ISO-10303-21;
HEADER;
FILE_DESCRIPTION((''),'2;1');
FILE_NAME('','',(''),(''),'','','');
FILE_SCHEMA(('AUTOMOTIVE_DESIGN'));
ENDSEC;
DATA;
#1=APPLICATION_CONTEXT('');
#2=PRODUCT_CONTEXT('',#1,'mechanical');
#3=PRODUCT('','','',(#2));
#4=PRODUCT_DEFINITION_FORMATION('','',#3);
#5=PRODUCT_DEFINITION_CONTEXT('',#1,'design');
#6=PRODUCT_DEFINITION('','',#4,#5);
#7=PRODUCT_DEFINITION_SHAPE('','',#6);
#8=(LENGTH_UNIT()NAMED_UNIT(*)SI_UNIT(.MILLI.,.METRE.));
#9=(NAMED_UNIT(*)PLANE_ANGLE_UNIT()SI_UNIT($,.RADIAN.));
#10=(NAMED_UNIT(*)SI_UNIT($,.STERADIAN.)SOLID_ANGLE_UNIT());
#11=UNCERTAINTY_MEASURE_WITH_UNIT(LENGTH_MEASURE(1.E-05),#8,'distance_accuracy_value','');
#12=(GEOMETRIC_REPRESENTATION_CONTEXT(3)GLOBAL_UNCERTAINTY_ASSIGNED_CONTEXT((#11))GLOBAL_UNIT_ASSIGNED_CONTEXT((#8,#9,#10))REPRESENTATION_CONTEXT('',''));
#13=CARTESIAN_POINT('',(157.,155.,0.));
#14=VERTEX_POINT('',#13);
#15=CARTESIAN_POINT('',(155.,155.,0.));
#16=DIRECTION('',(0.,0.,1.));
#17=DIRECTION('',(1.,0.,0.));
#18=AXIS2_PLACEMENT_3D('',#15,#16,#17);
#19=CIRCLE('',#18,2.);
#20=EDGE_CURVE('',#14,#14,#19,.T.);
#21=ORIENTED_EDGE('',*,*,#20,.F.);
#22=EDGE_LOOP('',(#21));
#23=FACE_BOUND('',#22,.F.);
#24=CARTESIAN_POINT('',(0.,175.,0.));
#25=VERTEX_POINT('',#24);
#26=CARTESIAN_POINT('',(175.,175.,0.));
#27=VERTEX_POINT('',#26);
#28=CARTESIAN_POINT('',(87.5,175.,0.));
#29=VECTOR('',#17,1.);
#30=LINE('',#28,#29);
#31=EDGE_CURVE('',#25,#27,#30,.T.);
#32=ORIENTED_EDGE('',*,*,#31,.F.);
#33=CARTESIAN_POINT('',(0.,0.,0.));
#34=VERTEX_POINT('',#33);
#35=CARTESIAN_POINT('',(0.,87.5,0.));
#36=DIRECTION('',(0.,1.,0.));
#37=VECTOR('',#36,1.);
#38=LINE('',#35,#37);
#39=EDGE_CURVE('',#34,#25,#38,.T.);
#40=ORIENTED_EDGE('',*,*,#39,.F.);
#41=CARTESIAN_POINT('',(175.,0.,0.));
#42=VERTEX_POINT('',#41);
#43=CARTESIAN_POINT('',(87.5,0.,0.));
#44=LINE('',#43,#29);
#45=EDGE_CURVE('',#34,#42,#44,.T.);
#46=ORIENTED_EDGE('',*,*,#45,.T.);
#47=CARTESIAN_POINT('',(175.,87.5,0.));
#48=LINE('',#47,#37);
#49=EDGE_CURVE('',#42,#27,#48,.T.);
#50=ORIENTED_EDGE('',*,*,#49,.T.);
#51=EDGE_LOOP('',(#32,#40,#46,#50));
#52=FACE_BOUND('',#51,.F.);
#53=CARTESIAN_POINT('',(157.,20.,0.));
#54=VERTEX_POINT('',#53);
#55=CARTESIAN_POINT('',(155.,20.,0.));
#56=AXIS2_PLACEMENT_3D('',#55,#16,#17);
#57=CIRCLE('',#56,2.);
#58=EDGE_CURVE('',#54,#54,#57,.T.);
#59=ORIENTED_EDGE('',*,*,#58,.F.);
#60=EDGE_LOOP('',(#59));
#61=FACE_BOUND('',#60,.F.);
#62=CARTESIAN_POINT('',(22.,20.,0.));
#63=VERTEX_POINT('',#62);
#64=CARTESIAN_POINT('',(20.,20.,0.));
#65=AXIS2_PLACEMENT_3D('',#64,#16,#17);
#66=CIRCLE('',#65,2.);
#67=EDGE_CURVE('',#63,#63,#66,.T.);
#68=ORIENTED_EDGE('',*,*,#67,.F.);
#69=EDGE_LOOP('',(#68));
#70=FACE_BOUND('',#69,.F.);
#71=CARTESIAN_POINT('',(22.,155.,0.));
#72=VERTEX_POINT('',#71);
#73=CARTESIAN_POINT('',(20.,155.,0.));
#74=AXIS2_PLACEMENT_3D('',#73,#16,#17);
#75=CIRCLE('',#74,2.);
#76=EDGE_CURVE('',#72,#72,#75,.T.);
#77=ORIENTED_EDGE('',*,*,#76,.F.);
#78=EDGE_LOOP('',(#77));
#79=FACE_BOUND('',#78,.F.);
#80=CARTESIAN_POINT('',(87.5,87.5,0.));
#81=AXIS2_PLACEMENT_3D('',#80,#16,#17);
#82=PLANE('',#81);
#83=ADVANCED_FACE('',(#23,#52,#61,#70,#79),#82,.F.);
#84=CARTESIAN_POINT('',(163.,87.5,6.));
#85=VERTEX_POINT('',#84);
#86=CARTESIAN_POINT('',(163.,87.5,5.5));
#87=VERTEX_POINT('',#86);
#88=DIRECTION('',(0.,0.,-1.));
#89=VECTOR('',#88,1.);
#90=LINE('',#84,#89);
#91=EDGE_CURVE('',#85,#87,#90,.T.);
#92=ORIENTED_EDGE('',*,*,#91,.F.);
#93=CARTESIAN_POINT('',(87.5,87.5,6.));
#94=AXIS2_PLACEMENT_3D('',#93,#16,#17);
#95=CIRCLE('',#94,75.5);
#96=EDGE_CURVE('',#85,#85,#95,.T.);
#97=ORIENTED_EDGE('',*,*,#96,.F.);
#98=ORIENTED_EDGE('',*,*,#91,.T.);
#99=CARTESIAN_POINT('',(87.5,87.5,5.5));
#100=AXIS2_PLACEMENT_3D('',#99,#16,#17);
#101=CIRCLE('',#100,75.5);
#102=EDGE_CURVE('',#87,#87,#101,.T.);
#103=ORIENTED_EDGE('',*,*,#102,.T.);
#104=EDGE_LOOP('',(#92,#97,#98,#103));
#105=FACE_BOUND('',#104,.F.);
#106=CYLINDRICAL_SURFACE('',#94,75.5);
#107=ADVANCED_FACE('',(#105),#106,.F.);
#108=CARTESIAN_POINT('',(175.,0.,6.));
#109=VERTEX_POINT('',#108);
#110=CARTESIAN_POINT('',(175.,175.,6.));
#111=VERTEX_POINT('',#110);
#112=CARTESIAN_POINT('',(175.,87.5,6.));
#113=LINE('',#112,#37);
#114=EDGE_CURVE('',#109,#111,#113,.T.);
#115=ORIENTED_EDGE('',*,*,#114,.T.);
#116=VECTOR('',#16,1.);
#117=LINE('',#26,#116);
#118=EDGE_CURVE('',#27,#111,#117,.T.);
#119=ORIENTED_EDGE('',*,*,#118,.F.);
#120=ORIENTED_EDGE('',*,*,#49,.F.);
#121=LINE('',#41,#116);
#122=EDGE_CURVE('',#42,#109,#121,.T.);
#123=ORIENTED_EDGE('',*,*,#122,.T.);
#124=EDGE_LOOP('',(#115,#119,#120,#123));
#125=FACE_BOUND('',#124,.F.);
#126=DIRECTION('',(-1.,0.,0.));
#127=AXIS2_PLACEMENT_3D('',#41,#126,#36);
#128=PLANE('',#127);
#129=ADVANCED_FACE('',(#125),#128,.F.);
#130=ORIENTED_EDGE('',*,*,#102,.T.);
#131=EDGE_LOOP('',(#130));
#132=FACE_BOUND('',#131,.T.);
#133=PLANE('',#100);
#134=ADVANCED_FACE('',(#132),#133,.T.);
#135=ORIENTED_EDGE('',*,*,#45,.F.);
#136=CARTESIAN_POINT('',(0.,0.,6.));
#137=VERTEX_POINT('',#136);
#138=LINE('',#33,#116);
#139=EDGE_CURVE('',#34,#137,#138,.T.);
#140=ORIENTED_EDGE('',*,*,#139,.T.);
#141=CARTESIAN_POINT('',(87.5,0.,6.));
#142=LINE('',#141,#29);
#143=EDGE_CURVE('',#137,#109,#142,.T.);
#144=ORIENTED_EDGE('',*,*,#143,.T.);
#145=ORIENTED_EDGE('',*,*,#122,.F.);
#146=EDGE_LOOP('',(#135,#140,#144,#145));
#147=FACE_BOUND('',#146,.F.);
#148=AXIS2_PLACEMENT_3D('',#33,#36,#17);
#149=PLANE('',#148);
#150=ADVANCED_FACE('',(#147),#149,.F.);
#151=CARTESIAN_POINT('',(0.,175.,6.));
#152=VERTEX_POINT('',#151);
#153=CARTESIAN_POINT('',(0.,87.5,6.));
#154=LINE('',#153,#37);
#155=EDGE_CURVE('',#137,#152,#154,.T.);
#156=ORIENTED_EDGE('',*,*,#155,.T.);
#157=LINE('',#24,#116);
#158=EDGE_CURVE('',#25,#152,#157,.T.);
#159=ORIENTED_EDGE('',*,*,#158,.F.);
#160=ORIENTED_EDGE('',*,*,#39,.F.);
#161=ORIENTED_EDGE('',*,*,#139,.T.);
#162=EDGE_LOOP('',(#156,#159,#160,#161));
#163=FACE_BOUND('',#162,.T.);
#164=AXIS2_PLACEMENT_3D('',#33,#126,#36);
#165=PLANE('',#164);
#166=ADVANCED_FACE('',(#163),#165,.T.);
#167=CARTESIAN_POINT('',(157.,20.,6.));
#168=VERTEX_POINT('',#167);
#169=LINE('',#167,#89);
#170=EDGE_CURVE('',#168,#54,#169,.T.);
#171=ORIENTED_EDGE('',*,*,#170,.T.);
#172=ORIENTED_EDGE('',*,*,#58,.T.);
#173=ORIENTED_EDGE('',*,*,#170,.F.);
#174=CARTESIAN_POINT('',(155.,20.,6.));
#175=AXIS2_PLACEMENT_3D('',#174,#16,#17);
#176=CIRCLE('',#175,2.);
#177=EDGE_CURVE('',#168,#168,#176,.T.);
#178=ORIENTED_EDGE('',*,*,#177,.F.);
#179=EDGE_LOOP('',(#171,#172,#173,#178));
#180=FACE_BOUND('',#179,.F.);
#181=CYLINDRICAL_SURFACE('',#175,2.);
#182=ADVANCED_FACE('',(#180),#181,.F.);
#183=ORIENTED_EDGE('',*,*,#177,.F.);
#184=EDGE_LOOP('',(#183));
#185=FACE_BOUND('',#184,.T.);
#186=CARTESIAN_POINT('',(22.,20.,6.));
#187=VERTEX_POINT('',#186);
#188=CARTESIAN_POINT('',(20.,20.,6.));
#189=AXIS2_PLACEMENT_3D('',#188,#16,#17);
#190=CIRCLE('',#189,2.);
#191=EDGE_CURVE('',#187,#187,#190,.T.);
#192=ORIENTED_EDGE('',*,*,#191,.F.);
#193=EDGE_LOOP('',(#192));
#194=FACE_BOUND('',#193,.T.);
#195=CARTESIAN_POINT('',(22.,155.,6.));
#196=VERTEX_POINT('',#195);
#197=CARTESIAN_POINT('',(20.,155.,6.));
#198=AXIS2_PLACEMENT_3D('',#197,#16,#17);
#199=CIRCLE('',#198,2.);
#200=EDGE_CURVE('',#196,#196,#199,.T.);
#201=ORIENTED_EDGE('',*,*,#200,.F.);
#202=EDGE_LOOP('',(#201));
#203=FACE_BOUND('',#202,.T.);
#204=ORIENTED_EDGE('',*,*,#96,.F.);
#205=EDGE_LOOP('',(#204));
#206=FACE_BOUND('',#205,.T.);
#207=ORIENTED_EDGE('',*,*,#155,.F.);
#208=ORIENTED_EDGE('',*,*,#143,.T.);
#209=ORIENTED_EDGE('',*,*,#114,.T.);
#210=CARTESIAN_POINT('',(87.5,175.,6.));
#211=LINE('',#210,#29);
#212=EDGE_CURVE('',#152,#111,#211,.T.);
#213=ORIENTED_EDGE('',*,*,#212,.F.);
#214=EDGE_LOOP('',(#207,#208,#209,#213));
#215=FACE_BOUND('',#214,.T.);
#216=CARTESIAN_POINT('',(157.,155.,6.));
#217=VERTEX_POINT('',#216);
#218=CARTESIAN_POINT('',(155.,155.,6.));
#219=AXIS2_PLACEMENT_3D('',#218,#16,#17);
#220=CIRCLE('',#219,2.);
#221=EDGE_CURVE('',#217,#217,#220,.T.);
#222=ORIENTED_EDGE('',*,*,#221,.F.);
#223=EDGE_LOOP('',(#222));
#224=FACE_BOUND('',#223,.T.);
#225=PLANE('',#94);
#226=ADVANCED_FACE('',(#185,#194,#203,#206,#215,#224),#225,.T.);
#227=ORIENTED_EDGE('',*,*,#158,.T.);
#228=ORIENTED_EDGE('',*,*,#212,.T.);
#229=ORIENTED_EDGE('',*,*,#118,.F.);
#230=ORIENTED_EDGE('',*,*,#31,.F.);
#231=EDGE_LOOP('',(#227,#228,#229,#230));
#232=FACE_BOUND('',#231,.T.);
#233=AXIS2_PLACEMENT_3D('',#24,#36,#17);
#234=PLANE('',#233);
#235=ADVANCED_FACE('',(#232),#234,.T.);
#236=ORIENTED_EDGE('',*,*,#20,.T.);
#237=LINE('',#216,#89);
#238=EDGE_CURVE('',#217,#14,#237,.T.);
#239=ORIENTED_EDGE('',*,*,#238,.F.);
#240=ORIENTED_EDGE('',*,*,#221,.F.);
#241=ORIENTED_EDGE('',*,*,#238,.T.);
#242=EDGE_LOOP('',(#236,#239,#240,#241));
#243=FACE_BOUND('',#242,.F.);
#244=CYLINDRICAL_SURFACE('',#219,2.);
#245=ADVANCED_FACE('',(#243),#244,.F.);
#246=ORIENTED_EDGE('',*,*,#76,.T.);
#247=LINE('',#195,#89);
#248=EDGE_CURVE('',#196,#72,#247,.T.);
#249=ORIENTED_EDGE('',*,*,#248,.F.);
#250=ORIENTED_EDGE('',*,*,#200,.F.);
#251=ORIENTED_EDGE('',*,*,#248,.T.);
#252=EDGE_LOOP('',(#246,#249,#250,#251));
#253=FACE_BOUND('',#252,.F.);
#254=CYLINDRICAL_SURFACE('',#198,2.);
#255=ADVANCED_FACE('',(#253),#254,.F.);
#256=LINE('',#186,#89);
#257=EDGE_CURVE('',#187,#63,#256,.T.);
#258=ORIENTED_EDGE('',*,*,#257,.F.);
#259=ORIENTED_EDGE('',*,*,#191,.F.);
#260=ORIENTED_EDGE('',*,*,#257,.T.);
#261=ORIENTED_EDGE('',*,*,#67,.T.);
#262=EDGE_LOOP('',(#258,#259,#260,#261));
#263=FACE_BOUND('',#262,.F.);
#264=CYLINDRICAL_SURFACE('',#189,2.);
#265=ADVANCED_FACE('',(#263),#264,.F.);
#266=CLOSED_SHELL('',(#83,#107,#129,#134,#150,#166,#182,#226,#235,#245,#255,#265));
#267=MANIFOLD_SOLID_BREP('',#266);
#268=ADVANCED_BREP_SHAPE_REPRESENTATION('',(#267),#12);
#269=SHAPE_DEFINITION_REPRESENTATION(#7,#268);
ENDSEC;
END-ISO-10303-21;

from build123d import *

# Parameters (mm, degrees)
F0_W     = 175
F0_H     = 175
F1_DEPTH = 6
F2_R     = 75.5
F3_DEPTH = 0.5
F4_R     = 2
F5_DEPTH = 6.001


with BuildPart() as f1:
    # F0 (on Top) → F1 (new body)
    with BuildSketch(Plane.XY):
        with Locations((87.5, 87.5)):
            Rectangle(F0_W, F0_H)
    extrude(amount=F1_DEPTH)

    # F2 (on face) → F3 (cut)
    with BuildSketch(Plane.XY.offset(6)):
        with Locations((87.5, 87.5)):
            Circle(F2_R)
    extrude(amount=-F3_DEPTH, mode=Mode.SUBTRACT)

    # F4 (on face) → F5 (cut, through all)
    with BuildSketch(Plane.XY.offset(6)):
        with Locations((20, 155)):
            Circle(F4_R)
        with Locations((155, 155)):
            Circle(F4_R)
        with Locations((155, 20)):
            Circle(F4_R)
        with Locations((20, 20)):
            Circle(F4_R)
    extrude(amount=-F5_DEPTH, mode=Mode.SUBTRACT)


solid = f1.part
